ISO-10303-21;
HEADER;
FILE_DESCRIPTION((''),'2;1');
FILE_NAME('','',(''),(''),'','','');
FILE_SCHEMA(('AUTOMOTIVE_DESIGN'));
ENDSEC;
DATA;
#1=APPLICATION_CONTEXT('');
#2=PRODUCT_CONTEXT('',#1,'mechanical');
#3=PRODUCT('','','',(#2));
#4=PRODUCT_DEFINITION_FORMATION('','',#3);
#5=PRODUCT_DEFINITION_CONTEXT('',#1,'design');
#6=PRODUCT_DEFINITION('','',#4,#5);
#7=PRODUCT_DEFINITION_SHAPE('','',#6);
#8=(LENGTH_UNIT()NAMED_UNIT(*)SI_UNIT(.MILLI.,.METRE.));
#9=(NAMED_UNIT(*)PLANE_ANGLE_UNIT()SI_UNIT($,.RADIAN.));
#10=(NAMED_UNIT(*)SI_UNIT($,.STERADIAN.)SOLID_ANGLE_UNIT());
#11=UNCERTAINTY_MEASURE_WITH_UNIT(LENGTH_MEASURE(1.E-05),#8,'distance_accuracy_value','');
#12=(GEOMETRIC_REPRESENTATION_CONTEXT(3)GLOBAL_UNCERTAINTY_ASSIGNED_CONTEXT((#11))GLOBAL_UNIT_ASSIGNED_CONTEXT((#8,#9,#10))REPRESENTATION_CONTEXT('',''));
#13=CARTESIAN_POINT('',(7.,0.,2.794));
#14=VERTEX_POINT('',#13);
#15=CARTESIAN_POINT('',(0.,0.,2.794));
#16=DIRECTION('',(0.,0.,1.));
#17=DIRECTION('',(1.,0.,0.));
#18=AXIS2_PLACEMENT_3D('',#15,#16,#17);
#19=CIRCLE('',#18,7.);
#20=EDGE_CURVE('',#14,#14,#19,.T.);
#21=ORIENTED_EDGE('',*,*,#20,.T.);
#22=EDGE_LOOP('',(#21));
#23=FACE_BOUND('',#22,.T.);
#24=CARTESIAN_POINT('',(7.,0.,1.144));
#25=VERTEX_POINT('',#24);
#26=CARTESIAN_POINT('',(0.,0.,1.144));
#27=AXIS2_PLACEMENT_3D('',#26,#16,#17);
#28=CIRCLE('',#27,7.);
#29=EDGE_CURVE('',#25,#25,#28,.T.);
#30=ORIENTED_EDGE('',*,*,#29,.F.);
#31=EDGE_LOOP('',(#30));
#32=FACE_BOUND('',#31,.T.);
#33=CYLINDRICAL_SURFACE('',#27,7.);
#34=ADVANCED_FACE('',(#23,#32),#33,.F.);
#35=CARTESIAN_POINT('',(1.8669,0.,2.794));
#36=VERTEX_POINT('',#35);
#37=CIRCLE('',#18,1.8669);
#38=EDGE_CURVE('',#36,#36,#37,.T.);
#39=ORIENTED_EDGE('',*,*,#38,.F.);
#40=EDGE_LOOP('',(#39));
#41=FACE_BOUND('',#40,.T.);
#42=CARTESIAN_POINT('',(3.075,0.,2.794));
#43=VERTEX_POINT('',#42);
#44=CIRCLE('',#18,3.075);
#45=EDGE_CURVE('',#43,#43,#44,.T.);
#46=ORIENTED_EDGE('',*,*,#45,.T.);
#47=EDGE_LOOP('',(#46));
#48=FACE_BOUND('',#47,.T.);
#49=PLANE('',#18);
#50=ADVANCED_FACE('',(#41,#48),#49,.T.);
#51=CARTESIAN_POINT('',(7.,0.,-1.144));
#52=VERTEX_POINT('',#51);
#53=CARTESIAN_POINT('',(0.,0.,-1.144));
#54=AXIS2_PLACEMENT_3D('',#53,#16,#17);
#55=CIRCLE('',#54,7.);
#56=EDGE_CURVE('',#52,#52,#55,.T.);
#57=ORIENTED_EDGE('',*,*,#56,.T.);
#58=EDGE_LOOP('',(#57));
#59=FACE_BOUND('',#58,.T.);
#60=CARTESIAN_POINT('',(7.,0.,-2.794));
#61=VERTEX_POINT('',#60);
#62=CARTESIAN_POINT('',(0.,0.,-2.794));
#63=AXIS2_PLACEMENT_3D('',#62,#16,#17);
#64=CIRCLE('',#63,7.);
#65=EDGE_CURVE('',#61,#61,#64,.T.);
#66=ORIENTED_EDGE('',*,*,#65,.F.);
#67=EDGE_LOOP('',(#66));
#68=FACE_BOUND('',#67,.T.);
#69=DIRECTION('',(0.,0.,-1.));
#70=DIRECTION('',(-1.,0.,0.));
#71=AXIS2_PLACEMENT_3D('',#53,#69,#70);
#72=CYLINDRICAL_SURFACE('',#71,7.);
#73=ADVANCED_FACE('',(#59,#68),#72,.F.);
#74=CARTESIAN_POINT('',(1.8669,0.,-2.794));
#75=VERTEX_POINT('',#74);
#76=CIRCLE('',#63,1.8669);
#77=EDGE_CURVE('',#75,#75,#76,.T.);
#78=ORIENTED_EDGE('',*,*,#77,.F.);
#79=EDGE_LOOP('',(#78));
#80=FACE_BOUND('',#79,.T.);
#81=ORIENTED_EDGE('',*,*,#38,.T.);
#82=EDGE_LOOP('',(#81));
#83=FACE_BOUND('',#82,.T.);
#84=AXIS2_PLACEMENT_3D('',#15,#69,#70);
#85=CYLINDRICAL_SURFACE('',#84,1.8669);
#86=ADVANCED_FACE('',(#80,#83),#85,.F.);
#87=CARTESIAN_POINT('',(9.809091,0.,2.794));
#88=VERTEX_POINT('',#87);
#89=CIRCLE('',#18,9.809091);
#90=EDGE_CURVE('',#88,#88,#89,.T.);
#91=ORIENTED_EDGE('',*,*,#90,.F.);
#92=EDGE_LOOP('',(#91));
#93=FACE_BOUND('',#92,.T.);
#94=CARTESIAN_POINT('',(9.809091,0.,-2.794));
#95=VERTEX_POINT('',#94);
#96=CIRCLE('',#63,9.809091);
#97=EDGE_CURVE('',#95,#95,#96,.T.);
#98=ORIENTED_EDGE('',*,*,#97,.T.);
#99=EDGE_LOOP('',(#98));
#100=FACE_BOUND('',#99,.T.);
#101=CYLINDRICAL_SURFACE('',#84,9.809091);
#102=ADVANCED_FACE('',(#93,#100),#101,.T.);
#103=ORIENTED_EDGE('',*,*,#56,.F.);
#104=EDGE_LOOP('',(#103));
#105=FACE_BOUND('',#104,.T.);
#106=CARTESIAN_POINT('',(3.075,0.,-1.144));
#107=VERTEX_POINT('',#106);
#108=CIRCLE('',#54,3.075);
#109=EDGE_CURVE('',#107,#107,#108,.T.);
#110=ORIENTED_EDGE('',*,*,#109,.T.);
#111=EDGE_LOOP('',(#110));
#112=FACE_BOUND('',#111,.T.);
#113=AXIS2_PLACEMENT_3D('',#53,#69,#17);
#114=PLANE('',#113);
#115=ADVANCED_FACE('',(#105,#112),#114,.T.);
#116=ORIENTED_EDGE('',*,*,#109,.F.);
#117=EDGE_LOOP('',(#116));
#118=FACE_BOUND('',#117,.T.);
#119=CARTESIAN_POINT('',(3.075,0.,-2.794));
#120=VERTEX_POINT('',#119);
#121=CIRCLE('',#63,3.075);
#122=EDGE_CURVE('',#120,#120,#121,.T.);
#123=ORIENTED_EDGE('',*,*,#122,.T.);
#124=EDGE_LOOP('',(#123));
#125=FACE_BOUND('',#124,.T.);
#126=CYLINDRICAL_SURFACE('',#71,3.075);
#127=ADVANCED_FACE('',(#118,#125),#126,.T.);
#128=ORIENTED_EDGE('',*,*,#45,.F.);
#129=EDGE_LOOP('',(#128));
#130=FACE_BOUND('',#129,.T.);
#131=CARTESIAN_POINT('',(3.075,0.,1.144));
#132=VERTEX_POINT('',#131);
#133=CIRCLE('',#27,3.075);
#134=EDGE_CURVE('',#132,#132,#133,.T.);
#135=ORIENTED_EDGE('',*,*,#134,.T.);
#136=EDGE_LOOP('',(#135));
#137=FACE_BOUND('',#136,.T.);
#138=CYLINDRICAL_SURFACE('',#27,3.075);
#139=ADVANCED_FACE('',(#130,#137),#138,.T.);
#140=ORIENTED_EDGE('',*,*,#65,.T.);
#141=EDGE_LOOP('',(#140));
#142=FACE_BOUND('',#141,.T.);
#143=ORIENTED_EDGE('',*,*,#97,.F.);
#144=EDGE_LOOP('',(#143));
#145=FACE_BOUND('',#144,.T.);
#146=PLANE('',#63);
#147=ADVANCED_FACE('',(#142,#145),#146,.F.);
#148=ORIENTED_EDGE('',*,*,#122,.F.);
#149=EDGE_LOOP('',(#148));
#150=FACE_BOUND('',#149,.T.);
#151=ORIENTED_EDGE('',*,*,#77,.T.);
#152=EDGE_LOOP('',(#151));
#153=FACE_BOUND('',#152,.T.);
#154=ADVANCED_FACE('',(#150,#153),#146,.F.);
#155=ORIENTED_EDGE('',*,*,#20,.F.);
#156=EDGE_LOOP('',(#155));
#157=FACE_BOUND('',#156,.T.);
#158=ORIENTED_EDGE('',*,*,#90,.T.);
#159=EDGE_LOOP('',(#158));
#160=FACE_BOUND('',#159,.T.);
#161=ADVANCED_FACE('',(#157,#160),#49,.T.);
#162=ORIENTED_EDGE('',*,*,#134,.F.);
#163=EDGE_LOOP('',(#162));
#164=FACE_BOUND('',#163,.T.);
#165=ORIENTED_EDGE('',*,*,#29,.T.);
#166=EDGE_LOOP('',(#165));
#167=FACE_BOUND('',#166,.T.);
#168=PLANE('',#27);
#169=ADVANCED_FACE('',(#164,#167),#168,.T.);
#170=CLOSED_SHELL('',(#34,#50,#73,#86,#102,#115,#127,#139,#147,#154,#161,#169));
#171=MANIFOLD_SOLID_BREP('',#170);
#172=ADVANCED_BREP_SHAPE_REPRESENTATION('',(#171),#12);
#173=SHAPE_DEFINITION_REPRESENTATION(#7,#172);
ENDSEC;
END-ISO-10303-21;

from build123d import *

# Parameters (mm, degrees)
SKETCH1_R           = 9.80909091
SKETCH1_R_2         = 1.8669
BOSS_EXTRUDE1_DEPTH = 2.794
SKETCH2_R           = 7
SKETCH2_R_2         = 3.075
CUT_EXTRUDE1_DEPTH  = 1.65


with BuildPart() as part:
    # Sketch1 → Boss-Extrude1 (new, symmetric)
    with BuildSketch(Plane.XY):
        Circle(SKETCH1_R)
        Circle(SKETCH1_R_2, mode=Mode.SUBTRACT)
    extrude(amount=BOSS_EXTRUDE1_DEPTH, both=True)

    # Sketch2 → Cut-Extrude1 (cut)
    with BuildSketch(Plane.XY.offset(2.794)):
        Circle(SKETCH2_R)
        Circle(SKETCH2_R_2, mode=Mode.SUBTRACT)
    cut_extrude1 = extrude(amount=-CUT_EXTRUDE1_DEPTH, mode=Mode.SUBTRACT)

    # Mirror1: Cut-Extrude1 across plane
    add(cut_extrude1.mirror(Plane.XY), mode=Mode.SUBTRACT)


solid = part.part
